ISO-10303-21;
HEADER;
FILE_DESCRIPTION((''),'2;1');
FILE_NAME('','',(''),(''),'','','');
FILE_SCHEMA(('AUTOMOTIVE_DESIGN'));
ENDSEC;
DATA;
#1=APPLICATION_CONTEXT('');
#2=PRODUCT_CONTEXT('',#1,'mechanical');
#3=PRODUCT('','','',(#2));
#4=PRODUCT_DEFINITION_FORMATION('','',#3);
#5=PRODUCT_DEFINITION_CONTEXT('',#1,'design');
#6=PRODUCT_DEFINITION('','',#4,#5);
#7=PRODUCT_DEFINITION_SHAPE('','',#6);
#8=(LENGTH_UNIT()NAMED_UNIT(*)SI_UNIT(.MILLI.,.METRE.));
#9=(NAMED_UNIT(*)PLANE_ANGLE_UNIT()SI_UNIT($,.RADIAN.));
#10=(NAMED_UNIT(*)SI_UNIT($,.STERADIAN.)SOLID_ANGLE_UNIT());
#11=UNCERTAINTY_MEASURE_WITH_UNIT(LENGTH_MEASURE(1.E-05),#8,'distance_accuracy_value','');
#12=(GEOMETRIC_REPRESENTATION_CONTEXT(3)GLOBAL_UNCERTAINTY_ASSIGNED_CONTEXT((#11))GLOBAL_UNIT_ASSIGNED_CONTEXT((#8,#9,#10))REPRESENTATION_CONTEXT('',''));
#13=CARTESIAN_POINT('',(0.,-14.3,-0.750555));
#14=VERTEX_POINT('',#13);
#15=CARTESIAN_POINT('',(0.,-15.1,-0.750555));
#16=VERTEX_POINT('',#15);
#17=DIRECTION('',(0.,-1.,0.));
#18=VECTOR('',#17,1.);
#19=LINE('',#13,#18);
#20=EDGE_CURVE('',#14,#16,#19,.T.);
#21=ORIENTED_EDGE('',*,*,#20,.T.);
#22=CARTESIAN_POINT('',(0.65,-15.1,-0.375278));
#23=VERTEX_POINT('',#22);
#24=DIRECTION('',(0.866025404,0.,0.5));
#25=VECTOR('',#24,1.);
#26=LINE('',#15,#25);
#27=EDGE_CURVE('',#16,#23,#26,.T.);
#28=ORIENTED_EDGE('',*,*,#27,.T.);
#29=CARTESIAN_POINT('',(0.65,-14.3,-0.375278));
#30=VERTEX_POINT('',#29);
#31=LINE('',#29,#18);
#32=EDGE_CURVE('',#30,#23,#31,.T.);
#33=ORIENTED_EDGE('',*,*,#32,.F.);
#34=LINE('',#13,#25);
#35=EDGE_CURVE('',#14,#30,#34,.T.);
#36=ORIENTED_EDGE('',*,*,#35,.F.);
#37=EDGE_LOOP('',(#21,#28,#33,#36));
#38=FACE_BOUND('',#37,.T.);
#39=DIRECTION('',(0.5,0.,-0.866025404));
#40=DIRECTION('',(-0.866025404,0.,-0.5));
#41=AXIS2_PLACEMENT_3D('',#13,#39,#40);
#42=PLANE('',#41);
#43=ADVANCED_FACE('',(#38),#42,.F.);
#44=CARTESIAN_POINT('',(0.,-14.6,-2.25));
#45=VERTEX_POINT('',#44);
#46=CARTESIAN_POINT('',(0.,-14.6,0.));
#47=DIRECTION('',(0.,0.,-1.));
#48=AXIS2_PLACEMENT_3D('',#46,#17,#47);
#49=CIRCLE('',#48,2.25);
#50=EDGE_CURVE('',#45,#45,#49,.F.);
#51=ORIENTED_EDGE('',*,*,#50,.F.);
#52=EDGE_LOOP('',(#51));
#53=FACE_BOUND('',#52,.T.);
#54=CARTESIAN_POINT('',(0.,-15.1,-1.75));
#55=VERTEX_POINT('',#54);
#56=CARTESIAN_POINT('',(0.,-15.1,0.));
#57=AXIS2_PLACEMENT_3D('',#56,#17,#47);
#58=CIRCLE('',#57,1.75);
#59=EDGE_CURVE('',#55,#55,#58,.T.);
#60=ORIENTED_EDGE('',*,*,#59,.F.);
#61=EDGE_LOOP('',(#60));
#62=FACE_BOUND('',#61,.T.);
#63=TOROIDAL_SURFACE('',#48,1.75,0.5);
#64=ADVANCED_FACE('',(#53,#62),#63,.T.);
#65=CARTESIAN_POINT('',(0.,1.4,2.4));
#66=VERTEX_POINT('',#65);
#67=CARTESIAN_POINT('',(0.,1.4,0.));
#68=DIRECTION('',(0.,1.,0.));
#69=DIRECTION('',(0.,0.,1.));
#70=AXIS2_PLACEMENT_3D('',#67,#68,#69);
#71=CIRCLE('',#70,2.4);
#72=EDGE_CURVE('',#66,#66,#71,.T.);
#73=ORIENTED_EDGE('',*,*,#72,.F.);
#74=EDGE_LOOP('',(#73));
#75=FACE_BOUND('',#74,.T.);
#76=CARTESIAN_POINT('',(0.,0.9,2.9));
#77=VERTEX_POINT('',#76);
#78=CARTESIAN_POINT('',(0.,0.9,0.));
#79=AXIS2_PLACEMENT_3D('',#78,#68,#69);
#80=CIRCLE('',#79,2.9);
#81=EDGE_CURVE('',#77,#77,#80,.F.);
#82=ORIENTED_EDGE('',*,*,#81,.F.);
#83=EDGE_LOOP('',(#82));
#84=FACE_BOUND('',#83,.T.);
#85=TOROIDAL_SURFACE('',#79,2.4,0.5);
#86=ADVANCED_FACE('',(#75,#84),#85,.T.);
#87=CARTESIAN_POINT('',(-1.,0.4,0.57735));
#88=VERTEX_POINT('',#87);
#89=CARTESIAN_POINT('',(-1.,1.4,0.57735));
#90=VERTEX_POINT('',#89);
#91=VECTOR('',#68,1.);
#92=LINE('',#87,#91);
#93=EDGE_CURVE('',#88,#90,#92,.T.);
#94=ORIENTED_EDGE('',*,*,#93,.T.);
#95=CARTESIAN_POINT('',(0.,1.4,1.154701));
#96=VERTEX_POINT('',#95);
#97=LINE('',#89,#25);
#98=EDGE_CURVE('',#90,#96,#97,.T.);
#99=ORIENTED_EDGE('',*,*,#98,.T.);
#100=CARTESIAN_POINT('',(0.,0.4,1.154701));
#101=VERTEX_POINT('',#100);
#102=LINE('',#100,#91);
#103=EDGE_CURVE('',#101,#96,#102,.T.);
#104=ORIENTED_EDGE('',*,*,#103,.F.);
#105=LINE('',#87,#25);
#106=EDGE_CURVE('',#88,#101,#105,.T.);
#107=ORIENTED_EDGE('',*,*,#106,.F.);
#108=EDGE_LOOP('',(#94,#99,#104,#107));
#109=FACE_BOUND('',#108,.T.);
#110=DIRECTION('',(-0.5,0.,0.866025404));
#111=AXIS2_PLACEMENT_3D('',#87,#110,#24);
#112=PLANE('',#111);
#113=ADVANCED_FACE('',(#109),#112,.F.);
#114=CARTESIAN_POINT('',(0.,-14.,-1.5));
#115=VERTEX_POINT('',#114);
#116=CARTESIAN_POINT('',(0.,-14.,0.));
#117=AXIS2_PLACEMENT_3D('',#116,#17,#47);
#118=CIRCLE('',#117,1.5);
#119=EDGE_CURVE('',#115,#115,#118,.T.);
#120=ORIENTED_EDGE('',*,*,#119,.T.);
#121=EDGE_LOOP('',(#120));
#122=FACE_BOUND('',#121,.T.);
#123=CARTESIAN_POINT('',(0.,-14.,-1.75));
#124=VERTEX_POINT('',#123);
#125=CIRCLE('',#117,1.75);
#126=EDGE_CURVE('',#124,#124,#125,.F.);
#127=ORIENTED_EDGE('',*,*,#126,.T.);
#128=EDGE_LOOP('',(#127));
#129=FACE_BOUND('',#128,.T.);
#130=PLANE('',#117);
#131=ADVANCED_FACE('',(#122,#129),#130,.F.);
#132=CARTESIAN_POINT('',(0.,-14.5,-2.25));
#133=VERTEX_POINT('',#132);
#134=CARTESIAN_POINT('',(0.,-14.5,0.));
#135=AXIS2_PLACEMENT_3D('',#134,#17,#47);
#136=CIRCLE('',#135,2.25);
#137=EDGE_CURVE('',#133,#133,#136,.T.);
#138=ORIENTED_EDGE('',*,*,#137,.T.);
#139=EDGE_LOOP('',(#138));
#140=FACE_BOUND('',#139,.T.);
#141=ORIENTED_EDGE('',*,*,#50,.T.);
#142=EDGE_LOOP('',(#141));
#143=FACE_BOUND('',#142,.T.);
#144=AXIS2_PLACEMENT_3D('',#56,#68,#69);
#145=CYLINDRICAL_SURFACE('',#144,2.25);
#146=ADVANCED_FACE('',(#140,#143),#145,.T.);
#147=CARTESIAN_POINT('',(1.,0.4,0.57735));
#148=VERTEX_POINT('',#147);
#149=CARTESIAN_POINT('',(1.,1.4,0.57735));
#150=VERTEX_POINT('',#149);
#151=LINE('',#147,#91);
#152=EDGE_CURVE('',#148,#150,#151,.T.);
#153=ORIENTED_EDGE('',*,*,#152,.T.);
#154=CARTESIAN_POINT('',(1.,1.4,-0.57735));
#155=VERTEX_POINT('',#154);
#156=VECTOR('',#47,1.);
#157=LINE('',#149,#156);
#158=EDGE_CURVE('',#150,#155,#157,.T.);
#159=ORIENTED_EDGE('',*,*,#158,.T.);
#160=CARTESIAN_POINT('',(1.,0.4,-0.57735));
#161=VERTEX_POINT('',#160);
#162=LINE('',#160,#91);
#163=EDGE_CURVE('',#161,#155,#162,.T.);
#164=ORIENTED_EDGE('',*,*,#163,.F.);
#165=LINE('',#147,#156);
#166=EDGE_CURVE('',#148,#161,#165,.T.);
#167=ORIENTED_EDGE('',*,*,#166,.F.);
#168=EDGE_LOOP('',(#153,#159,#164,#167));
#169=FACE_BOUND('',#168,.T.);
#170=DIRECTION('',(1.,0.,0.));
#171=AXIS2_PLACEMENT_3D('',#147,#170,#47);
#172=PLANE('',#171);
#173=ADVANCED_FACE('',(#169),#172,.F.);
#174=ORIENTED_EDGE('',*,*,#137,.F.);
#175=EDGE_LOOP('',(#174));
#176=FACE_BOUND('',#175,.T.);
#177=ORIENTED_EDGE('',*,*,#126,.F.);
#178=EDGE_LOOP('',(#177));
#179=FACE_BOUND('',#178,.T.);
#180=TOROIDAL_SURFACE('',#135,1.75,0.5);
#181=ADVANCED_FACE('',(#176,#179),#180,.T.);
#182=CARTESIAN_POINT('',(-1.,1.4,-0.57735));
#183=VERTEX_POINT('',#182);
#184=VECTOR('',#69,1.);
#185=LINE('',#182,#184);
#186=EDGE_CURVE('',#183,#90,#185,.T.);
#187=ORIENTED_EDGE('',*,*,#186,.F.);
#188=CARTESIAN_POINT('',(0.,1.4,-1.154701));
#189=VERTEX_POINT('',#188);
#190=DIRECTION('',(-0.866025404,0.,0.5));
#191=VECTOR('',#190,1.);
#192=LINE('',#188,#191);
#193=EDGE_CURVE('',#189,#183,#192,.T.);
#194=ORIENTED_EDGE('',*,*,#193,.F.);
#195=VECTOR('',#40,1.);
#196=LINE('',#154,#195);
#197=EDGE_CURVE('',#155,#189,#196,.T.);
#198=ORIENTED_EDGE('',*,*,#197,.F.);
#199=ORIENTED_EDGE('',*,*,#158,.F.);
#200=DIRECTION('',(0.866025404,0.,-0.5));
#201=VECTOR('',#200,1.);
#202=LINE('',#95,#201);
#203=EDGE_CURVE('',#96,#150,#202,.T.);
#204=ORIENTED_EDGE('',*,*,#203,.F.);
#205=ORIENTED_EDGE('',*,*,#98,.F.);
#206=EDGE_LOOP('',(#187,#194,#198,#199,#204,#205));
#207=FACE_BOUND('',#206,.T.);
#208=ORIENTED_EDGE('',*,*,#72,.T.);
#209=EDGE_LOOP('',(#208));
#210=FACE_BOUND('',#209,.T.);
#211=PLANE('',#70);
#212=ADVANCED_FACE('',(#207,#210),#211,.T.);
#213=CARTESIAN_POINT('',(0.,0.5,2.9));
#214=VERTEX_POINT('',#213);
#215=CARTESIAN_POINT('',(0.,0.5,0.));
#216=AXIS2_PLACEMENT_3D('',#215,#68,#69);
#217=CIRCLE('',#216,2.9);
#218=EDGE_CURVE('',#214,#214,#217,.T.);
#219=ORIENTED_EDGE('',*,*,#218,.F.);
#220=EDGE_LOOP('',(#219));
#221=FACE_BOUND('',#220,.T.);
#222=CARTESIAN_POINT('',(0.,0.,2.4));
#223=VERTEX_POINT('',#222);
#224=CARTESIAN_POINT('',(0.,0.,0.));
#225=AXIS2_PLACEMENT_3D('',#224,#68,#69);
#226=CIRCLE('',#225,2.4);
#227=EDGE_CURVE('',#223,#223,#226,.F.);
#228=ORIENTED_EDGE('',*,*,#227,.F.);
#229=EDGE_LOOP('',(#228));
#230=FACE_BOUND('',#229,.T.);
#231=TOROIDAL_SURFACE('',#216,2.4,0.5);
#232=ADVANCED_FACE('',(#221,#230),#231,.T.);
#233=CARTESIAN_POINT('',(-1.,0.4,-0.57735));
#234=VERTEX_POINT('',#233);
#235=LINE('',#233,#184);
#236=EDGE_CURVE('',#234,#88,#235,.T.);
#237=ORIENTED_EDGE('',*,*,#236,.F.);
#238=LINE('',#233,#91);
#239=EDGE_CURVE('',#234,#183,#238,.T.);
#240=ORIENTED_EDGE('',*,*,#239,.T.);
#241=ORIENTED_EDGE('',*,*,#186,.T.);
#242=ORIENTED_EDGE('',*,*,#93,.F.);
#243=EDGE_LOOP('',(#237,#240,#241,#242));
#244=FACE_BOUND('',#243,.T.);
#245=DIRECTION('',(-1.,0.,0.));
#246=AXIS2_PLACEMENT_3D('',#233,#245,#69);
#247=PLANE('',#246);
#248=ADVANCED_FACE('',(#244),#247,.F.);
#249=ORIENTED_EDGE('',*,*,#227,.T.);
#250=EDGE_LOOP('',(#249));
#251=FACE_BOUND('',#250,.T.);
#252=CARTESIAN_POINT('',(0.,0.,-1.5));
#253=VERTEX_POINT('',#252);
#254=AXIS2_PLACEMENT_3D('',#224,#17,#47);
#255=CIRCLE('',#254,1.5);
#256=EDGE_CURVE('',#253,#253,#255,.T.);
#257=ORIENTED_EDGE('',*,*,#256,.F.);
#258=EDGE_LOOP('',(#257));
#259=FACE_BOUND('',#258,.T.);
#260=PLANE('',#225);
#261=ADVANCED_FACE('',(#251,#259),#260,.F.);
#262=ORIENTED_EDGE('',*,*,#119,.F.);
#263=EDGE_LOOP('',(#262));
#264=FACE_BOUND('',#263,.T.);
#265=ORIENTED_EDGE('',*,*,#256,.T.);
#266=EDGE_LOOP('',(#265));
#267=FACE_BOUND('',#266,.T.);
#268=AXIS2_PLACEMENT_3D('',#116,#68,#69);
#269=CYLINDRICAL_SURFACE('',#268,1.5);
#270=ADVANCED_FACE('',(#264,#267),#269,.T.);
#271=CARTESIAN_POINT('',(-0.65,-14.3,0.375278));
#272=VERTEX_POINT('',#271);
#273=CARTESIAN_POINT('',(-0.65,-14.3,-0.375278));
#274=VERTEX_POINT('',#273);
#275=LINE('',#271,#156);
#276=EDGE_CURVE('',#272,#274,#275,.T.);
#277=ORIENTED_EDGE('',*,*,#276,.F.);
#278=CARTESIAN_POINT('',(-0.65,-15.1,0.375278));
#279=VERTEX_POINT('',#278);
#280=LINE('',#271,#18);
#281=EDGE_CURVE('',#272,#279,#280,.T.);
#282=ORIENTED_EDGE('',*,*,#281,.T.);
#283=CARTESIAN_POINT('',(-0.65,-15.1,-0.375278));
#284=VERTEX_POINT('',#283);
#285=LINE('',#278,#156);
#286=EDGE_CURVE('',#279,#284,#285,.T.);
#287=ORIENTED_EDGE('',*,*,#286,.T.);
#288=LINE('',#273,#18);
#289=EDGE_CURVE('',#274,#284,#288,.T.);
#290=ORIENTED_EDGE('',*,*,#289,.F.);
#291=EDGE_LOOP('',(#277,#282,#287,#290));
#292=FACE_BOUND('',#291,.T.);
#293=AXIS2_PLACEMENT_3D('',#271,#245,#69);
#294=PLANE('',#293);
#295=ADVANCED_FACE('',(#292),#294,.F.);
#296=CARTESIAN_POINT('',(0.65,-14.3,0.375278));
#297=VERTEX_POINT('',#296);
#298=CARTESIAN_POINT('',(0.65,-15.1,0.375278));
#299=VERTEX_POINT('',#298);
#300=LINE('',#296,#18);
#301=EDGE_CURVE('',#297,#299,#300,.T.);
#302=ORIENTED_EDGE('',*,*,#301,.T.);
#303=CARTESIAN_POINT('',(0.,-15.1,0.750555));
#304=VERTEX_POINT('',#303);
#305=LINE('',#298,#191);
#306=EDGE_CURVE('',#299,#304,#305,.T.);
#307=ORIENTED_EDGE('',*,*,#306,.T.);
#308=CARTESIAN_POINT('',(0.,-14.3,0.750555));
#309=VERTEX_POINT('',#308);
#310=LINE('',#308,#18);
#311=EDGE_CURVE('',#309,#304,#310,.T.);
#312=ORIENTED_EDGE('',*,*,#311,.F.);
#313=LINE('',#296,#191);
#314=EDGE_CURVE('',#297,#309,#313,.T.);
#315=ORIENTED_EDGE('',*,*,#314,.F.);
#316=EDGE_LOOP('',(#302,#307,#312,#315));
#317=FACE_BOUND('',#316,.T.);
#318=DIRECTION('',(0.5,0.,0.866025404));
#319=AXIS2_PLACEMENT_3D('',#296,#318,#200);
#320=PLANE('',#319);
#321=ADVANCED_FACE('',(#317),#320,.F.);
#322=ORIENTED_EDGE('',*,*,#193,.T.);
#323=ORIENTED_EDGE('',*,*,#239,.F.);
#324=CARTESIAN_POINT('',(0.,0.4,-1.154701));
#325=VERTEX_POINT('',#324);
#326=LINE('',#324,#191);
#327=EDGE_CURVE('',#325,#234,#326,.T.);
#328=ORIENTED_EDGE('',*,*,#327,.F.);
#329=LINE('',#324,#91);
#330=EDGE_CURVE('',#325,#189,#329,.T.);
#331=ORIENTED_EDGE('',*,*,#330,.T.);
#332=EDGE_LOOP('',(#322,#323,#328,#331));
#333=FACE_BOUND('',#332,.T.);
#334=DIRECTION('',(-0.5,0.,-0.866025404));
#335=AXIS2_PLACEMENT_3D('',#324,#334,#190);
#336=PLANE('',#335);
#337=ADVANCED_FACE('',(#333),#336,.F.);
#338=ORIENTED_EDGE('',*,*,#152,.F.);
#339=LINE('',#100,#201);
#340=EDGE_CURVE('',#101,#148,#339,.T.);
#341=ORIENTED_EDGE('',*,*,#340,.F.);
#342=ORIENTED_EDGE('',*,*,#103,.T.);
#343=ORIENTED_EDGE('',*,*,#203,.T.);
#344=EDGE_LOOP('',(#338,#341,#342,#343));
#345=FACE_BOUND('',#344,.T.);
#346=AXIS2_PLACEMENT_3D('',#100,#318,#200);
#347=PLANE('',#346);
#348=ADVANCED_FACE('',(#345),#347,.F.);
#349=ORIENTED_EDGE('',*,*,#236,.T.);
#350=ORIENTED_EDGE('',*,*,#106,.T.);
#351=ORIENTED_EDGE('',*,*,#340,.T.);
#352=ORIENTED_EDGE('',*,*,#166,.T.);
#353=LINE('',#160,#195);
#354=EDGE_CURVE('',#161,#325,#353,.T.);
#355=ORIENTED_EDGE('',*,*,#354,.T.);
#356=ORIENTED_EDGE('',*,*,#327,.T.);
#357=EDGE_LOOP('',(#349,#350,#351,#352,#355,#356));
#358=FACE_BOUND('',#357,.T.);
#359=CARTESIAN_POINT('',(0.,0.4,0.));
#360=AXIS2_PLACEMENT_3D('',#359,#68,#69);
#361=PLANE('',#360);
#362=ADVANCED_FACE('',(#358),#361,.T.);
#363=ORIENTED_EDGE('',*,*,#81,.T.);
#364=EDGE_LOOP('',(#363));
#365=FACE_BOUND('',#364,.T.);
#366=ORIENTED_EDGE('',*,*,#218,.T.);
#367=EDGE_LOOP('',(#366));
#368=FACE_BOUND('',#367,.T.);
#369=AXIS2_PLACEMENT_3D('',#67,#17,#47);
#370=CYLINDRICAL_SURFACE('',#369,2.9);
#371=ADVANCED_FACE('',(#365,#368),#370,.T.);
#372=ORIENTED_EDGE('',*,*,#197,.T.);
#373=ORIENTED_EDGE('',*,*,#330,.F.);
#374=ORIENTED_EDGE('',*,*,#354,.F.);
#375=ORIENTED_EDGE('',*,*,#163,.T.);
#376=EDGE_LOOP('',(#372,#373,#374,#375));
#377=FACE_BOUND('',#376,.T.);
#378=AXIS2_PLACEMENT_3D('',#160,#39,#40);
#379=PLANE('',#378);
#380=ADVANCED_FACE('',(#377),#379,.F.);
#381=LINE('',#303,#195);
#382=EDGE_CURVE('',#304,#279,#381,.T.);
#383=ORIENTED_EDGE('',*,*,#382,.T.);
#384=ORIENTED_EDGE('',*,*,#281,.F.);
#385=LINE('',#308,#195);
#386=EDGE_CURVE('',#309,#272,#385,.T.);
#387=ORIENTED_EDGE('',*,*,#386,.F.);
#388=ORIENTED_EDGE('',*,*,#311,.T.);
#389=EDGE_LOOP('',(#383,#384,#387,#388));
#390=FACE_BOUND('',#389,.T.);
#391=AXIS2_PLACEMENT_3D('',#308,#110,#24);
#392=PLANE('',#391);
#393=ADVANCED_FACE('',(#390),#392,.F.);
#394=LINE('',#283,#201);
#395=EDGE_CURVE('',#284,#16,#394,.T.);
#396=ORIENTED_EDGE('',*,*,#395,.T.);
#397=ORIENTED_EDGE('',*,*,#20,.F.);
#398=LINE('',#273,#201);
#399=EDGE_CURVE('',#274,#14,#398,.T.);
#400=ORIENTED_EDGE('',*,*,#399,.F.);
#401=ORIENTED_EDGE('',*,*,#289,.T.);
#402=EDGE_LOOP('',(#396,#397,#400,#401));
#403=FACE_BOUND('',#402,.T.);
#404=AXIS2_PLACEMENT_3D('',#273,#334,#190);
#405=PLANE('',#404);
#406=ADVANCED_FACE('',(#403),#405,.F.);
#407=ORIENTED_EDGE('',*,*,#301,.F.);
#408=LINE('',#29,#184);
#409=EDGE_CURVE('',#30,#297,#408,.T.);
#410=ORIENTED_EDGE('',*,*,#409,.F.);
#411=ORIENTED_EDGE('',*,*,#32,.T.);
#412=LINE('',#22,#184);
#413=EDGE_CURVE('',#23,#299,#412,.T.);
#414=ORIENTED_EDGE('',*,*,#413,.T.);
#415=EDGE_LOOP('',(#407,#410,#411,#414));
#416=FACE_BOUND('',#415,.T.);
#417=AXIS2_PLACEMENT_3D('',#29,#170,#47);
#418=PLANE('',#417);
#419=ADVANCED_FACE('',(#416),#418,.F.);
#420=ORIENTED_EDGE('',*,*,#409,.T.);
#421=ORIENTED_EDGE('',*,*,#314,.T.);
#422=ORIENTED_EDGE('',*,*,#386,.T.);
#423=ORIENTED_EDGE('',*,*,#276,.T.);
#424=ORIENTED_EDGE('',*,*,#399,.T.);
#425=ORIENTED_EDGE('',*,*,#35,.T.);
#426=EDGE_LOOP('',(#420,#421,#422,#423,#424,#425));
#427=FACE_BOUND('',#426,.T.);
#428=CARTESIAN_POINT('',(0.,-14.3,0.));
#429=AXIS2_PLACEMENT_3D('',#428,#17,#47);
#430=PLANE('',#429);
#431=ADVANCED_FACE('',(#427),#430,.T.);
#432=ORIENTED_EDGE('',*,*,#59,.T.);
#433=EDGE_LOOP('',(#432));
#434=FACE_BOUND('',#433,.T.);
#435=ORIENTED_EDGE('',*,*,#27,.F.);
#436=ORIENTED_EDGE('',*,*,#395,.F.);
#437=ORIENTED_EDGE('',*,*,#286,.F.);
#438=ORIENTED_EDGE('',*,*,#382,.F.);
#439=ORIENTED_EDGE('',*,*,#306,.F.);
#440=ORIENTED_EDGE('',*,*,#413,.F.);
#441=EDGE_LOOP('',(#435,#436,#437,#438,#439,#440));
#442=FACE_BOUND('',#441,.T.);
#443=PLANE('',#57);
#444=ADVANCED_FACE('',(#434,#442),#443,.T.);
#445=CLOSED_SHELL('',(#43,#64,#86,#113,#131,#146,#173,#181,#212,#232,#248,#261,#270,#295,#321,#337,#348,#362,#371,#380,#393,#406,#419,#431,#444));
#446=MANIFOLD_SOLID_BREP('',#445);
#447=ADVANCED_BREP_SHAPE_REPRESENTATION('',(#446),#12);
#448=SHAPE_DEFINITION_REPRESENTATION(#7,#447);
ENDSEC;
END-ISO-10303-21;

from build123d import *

# Parameters (mm, degrees)
SKETCH_1_R          = 2.9
EXTRUDE_1_DEPTH     = 1.4
CUT_EXTRUDE_1_DEPTH = 1
SKETCH_3_R          = 1.5
EXTRUDE_2_DEPTH     = 14
SKETCH_4_R          = 2.25
EXTRUDE_3_DEPTH     = 1.1
CUT_EXTRUDE_2_DEPTH = 0.8
FILLET_1_R          = 0.5


with BuildPart() as part:
    # 草图1 → 凸台-拉伸1 (new body)
    with BuildSketch(Plane(origin=(0, 0, 0), x_dir=(1, 0, 0), z_dir=(0, 1, 0))):
        with Locations(Location((0, 0, 0), (0, 0, 270))):
            Circle(SKETCH_1_R)
    extrude(amount=EXTRUDE_1_DEPTH)

    # 草图2 → 切除-拉伸1 (cut)
    with BuildSketch(Plane(origin=(0, 1.4, 0), x_dir=(1, 0, 0), z_dir=(0, 1, 0))):
        Polygon((1, 0.577350269), (0, 1.154700538), (-1, 0.577350269), (-1, -0.577350269), (0, -1.154700538), (1, -0.577350269), align=None)
    extrude(amount=-CUT_EXTRUDE_1_DEPTH, mode=Mode.SUBTRACT)

    # 草图3 → 凸台-拉伸2 (add)
    with BuildSketch(Plane.XZ):
        with Locations(Location((0, 0, 0), (0, 0, 270))):
            Circle(SKETCH_3_R)
    extrude(amount=EXTRUDE_2_DEPTH)

    # 草图4 → 凸台-拉伸3 (add)
    with BuildSketch(Plane.XZ.offset(14)):
        with Locations(Location((0, 0, 0), (0, 0, 270))):
            Circle(SKETCH_4_R)
    extrude(amount=EXTRUDE_3_DEPTH)

    # 草图5 → 切除-拉伸2 (cut)
    with BuildSketch(Plane.XZ.offset(15.1)):
        Polygon((0.65, 0.375277675), (0, 0.75055535), (-0.65, 0.375277675), (-0.65, -0.375277675), (0, -0.75055535), (0.65, -0.375277675), align=None)
    extrude(amount=-CUT_EXTRUDE_2_DEPTH, mode=Mode.SUBTRACT)

    # 圆角1
    fillet_1_edges = [part.edges().sort_by_distance(p)[0] for p in [
        (0, 0, -2.9),
        (0, -14, 2.25),
        (0, -15.1, 2.25),
        (0, 1.4, -2.9),
    ]]
    fillet(fillet_1_edges, radius=FILLET_1_R)


solid = part.part
